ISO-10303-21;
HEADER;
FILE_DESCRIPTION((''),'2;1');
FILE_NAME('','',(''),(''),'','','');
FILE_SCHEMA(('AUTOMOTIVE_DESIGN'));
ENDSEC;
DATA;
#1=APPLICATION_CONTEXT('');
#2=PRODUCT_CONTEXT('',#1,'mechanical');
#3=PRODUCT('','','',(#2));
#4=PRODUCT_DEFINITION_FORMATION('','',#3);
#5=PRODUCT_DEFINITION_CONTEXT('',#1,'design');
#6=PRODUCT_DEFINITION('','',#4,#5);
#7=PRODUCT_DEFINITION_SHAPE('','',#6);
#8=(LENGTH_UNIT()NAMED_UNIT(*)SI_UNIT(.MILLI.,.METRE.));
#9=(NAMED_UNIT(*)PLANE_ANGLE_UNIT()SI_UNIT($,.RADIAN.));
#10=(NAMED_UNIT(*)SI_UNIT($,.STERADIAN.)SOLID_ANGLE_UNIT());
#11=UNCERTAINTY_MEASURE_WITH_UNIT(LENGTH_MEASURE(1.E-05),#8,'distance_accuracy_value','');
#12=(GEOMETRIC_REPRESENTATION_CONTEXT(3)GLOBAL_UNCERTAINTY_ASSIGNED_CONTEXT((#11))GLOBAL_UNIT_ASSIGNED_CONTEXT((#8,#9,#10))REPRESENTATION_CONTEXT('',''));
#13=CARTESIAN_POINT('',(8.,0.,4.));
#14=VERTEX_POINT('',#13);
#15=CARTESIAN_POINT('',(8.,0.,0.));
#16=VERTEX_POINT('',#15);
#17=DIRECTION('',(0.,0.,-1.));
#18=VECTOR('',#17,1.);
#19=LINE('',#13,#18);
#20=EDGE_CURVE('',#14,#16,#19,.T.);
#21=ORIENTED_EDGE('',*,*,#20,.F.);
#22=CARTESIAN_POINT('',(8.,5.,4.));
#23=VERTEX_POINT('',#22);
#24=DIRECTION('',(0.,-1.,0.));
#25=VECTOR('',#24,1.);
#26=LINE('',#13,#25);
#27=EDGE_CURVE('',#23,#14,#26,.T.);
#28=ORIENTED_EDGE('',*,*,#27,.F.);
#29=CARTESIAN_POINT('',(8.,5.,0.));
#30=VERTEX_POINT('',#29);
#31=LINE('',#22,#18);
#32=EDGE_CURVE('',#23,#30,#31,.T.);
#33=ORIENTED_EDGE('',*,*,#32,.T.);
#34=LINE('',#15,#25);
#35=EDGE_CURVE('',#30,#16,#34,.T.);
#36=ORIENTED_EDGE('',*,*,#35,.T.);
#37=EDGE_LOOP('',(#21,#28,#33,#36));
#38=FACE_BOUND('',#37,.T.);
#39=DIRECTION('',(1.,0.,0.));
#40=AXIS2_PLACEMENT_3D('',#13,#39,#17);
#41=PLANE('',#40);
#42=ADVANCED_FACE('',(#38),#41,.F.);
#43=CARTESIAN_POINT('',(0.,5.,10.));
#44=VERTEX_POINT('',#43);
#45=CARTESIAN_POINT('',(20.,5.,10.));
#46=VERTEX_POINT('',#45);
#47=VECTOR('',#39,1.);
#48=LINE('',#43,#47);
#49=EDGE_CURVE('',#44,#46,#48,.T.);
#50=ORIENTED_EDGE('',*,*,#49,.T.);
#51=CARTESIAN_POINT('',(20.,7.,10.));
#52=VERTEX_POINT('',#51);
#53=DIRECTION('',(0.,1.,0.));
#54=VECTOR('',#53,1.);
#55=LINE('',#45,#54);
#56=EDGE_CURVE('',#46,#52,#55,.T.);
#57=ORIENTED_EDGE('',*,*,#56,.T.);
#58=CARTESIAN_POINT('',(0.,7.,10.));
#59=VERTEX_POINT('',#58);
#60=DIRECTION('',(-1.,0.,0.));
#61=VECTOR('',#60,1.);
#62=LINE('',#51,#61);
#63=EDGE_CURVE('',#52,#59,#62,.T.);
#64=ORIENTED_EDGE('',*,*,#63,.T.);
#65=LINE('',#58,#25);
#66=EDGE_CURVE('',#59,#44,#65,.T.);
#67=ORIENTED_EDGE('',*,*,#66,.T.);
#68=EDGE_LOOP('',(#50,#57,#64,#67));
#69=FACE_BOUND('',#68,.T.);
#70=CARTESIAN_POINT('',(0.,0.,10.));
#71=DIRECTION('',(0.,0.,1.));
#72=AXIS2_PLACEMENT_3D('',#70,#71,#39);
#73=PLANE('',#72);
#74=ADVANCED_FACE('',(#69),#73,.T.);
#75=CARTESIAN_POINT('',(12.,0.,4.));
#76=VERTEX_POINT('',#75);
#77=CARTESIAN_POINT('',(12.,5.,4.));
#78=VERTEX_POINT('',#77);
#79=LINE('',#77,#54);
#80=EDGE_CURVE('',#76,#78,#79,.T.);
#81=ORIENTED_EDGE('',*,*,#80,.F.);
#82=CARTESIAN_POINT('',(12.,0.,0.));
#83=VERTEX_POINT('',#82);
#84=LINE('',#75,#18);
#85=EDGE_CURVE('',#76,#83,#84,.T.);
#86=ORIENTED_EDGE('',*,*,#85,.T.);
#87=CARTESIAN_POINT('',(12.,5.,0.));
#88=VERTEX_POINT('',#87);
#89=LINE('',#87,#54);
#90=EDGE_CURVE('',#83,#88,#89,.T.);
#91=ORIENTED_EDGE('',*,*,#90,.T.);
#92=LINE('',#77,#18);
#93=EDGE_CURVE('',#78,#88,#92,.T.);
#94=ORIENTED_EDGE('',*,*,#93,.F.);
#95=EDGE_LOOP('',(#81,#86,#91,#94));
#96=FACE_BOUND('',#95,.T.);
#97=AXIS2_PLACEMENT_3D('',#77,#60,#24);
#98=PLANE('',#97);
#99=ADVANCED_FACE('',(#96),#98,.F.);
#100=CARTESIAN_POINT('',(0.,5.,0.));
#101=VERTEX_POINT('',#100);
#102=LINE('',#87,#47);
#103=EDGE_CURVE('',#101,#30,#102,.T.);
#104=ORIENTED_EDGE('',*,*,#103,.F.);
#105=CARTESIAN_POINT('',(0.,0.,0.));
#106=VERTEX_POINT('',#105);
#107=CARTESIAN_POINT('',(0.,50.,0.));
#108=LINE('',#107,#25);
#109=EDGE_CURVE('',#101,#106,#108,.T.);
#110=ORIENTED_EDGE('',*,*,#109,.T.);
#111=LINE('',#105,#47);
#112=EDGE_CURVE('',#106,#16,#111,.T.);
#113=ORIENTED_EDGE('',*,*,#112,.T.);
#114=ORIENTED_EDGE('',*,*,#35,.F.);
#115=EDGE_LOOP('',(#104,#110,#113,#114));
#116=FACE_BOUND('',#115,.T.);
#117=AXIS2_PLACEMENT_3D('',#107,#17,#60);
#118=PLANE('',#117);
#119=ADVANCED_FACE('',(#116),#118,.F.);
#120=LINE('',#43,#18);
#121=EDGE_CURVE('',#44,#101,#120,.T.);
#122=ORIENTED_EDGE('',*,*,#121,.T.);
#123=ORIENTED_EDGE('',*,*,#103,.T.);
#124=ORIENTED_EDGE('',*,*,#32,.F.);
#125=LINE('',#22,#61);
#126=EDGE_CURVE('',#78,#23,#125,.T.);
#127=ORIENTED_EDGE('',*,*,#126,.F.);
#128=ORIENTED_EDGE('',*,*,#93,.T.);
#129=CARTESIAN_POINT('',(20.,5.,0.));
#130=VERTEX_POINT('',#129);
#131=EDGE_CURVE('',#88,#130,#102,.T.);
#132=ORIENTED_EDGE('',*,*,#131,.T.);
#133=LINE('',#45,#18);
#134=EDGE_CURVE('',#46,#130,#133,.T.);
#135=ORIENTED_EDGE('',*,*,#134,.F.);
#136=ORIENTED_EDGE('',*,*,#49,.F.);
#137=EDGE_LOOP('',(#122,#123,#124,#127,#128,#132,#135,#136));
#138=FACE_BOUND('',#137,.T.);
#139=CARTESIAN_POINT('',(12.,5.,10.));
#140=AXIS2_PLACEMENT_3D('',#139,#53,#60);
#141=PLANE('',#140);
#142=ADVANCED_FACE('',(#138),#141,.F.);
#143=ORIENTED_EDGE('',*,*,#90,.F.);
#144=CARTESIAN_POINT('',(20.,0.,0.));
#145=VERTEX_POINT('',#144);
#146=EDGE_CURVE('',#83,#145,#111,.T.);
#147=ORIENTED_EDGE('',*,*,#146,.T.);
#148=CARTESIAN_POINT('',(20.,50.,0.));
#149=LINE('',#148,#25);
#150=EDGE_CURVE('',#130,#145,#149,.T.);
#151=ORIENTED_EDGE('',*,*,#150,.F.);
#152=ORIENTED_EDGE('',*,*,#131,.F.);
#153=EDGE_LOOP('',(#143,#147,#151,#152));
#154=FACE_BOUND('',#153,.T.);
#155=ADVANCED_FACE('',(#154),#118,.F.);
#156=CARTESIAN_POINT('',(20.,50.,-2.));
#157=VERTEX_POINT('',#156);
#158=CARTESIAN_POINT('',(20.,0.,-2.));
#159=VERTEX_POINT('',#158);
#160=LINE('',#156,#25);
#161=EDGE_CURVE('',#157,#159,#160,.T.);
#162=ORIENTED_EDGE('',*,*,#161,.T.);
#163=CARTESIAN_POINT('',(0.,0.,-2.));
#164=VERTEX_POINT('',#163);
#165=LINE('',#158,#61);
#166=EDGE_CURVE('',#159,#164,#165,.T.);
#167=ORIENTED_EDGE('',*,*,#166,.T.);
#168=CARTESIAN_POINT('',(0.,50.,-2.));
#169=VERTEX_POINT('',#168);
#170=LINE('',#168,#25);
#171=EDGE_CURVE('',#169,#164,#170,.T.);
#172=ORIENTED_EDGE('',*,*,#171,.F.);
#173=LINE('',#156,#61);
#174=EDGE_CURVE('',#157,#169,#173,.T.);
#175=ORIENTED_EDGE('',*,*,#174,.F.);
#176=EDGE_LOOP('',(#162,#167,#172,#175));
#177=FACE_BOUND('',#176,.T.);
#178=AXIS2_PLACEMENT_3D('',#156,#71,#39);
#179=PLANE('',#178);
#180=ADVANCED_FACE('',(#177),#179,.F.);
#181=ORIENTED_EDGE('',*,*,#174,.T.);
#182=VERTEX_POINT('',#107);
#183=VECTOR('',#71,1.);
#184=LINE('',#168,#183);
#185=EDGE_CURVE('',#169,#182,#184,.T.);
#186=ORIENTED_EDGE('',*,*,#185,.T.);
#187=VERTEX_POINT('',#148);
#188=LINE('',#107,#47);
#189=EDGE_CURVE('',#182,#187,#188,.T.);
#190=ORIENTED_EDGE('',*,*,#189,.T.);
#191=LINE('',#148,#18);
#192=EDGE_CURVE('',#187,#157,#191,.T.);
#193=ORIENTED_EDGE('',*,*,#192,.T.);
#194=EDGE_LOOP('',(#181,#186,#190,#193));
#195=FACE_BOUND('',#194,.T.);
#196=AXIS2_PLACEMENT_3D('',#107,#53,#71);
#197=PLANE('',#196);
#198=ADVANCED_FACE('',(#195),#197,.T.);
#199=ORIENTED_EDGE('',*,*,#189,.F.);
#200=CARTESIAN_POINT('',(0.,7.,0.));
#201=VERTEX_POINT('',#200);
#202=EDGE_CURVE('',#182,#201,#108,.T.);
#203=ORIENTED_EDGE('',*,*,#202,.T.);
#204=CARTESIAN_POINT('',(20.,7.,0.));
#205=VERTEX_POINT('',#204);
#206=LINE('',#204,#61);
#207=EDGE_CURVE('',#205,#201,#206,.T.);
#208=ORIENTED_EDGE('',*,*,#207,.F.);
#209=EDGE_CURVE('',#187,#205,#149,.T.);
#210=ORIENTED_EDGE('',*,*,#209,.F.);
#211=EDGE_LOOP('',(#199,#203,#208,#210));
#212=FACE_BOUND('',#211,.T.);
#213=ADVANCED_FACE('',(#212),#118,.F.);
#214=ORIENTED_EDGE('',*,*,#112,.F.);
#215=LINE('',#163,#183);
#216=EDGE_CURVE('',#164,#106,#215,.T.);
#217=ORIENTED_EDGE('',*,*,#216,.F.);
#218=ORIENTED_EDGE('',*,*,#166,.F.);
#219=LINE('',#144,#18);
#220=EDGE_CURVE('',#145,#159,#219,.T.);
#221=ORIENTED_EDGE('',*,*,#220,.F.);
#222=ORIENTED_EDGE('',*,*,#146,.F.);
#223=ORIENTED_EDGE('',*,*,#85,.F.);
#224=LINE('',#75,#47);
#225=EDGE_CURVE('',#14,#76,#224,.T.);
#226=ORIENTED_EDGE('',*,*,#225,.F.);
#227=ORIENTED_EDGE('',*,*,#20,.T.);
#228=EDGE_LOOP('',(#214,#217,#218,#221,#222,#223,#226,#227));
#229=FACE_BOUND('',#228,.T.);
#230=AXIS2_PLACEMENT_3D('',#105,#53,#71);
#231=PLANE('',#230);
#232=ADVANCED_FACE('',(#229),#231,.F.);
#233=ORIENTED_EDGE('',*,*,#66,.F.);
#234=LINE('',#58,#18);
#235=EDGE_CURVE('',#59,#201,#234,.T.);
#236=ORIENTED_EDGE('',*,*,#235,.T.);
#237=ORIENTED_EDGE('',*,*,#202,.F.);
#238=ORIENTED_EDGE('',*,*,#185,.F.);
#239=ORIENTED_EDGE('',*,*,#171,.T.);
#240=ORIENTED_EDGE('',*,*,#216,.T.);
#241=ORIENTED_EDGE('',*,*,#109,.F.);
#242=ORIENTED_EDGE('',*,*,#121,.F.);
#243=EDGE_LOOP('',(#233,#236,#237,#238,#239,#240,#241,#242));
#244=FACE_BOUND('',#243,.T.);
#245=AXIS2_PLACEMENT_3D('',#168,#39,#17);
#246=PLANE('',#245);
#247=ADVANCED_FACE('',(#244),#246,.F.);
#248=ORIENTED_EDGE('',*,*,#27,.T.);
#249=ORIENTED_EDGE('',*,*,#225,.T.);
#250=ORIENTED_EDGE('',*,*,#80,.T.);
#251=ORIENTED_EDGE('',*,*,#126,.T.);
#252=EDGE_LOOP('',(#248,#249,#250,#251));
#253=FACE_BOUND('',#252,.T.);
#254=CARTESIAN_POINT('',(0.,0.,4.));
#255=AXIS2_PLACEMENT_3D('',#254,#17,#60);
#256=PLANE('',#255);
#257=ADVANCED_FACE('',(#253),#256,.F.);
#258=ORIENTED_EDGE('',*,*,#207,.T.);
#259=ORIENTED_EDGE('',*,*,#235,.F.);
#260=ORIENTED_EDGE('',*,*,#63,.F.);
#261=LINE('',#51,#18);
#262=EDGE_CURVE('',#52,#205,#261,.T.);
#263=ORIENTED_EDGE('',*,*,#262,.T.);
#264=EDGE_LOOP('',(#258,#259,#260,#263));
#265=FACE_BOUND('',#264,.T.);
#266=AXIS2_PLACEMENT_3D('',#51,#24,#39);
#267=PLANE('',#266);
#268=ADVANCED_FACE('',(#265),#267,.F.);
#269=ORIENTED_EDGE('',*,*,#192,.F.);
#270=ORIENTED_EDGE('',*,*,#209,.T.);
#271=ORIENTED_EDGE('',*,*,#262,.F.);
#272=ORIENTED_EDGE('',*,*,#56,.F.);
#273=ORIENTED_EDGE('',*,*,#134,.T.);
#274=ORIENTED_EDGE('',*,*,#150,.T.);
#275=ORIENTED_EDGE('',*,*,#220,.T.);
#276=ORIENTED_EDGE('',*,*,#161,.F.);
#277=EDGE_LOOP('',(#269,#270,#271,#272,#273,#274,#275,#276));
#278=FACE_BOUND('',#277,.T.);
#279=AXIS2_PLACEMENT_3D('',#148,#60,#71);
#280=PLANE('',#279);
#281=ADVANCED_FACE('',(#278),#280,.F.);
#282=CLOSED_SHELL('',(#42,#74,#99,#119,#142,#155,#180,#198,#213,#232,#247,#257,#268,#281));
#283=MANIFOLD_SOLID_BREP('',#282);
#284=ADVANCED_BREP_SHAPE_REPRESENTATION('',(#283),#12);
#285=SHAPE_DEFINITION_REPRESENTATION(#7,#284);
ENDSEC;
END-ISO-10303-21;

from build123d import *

# Parameters (mm, degrees)
CROQUIS1_W              = 20
CROQUIS1_H              = 2
SALIENTE_EXTRUIR1_DEPTH = 50
CROQUIS2_W              = 4
CROQUIS2_H              = 5
SALIENTE_EXTRUIR2_DEPTH = 4
SALIENTE_EXTRUIR3_DEPTH = 10


with BuildPart() as part:
    # Croquis1 → Saliente-Extruir1 (new body)
    with BuildSketch(Plane(origin=(0, 0, 0), x_dir=(1, 0, 0), z_dir=(0, 1, 0))):
        with Locations((10, 1)):
            Rectangle(CROQUIS1_W, CROQUIS1_H)
    extrude(amount=SALIENTE_EXTRUIR1_DEPTH)

    # Croquis2 → Saliente-Extruir2 (add)
    with BuildSketch(Plane.XY):
        with Locations((10, 2.5)):
            Rectangle(CROQUIS2_W, CROQUIS2_H)
    extrude(amount=SALIENTE_EXTRUIR2_DEPTH)

    # Croquis3 → Saliente-Extruir3 (add)
    with BuildSketch(Plane.XY):
        Polygon((12, 5), (20, 5), (20, 7), (0, 7), (0, 5), align=None)
    extrude(amount=SALIENTE_EXTRUIR3_DEPTH)


solid = part.part
